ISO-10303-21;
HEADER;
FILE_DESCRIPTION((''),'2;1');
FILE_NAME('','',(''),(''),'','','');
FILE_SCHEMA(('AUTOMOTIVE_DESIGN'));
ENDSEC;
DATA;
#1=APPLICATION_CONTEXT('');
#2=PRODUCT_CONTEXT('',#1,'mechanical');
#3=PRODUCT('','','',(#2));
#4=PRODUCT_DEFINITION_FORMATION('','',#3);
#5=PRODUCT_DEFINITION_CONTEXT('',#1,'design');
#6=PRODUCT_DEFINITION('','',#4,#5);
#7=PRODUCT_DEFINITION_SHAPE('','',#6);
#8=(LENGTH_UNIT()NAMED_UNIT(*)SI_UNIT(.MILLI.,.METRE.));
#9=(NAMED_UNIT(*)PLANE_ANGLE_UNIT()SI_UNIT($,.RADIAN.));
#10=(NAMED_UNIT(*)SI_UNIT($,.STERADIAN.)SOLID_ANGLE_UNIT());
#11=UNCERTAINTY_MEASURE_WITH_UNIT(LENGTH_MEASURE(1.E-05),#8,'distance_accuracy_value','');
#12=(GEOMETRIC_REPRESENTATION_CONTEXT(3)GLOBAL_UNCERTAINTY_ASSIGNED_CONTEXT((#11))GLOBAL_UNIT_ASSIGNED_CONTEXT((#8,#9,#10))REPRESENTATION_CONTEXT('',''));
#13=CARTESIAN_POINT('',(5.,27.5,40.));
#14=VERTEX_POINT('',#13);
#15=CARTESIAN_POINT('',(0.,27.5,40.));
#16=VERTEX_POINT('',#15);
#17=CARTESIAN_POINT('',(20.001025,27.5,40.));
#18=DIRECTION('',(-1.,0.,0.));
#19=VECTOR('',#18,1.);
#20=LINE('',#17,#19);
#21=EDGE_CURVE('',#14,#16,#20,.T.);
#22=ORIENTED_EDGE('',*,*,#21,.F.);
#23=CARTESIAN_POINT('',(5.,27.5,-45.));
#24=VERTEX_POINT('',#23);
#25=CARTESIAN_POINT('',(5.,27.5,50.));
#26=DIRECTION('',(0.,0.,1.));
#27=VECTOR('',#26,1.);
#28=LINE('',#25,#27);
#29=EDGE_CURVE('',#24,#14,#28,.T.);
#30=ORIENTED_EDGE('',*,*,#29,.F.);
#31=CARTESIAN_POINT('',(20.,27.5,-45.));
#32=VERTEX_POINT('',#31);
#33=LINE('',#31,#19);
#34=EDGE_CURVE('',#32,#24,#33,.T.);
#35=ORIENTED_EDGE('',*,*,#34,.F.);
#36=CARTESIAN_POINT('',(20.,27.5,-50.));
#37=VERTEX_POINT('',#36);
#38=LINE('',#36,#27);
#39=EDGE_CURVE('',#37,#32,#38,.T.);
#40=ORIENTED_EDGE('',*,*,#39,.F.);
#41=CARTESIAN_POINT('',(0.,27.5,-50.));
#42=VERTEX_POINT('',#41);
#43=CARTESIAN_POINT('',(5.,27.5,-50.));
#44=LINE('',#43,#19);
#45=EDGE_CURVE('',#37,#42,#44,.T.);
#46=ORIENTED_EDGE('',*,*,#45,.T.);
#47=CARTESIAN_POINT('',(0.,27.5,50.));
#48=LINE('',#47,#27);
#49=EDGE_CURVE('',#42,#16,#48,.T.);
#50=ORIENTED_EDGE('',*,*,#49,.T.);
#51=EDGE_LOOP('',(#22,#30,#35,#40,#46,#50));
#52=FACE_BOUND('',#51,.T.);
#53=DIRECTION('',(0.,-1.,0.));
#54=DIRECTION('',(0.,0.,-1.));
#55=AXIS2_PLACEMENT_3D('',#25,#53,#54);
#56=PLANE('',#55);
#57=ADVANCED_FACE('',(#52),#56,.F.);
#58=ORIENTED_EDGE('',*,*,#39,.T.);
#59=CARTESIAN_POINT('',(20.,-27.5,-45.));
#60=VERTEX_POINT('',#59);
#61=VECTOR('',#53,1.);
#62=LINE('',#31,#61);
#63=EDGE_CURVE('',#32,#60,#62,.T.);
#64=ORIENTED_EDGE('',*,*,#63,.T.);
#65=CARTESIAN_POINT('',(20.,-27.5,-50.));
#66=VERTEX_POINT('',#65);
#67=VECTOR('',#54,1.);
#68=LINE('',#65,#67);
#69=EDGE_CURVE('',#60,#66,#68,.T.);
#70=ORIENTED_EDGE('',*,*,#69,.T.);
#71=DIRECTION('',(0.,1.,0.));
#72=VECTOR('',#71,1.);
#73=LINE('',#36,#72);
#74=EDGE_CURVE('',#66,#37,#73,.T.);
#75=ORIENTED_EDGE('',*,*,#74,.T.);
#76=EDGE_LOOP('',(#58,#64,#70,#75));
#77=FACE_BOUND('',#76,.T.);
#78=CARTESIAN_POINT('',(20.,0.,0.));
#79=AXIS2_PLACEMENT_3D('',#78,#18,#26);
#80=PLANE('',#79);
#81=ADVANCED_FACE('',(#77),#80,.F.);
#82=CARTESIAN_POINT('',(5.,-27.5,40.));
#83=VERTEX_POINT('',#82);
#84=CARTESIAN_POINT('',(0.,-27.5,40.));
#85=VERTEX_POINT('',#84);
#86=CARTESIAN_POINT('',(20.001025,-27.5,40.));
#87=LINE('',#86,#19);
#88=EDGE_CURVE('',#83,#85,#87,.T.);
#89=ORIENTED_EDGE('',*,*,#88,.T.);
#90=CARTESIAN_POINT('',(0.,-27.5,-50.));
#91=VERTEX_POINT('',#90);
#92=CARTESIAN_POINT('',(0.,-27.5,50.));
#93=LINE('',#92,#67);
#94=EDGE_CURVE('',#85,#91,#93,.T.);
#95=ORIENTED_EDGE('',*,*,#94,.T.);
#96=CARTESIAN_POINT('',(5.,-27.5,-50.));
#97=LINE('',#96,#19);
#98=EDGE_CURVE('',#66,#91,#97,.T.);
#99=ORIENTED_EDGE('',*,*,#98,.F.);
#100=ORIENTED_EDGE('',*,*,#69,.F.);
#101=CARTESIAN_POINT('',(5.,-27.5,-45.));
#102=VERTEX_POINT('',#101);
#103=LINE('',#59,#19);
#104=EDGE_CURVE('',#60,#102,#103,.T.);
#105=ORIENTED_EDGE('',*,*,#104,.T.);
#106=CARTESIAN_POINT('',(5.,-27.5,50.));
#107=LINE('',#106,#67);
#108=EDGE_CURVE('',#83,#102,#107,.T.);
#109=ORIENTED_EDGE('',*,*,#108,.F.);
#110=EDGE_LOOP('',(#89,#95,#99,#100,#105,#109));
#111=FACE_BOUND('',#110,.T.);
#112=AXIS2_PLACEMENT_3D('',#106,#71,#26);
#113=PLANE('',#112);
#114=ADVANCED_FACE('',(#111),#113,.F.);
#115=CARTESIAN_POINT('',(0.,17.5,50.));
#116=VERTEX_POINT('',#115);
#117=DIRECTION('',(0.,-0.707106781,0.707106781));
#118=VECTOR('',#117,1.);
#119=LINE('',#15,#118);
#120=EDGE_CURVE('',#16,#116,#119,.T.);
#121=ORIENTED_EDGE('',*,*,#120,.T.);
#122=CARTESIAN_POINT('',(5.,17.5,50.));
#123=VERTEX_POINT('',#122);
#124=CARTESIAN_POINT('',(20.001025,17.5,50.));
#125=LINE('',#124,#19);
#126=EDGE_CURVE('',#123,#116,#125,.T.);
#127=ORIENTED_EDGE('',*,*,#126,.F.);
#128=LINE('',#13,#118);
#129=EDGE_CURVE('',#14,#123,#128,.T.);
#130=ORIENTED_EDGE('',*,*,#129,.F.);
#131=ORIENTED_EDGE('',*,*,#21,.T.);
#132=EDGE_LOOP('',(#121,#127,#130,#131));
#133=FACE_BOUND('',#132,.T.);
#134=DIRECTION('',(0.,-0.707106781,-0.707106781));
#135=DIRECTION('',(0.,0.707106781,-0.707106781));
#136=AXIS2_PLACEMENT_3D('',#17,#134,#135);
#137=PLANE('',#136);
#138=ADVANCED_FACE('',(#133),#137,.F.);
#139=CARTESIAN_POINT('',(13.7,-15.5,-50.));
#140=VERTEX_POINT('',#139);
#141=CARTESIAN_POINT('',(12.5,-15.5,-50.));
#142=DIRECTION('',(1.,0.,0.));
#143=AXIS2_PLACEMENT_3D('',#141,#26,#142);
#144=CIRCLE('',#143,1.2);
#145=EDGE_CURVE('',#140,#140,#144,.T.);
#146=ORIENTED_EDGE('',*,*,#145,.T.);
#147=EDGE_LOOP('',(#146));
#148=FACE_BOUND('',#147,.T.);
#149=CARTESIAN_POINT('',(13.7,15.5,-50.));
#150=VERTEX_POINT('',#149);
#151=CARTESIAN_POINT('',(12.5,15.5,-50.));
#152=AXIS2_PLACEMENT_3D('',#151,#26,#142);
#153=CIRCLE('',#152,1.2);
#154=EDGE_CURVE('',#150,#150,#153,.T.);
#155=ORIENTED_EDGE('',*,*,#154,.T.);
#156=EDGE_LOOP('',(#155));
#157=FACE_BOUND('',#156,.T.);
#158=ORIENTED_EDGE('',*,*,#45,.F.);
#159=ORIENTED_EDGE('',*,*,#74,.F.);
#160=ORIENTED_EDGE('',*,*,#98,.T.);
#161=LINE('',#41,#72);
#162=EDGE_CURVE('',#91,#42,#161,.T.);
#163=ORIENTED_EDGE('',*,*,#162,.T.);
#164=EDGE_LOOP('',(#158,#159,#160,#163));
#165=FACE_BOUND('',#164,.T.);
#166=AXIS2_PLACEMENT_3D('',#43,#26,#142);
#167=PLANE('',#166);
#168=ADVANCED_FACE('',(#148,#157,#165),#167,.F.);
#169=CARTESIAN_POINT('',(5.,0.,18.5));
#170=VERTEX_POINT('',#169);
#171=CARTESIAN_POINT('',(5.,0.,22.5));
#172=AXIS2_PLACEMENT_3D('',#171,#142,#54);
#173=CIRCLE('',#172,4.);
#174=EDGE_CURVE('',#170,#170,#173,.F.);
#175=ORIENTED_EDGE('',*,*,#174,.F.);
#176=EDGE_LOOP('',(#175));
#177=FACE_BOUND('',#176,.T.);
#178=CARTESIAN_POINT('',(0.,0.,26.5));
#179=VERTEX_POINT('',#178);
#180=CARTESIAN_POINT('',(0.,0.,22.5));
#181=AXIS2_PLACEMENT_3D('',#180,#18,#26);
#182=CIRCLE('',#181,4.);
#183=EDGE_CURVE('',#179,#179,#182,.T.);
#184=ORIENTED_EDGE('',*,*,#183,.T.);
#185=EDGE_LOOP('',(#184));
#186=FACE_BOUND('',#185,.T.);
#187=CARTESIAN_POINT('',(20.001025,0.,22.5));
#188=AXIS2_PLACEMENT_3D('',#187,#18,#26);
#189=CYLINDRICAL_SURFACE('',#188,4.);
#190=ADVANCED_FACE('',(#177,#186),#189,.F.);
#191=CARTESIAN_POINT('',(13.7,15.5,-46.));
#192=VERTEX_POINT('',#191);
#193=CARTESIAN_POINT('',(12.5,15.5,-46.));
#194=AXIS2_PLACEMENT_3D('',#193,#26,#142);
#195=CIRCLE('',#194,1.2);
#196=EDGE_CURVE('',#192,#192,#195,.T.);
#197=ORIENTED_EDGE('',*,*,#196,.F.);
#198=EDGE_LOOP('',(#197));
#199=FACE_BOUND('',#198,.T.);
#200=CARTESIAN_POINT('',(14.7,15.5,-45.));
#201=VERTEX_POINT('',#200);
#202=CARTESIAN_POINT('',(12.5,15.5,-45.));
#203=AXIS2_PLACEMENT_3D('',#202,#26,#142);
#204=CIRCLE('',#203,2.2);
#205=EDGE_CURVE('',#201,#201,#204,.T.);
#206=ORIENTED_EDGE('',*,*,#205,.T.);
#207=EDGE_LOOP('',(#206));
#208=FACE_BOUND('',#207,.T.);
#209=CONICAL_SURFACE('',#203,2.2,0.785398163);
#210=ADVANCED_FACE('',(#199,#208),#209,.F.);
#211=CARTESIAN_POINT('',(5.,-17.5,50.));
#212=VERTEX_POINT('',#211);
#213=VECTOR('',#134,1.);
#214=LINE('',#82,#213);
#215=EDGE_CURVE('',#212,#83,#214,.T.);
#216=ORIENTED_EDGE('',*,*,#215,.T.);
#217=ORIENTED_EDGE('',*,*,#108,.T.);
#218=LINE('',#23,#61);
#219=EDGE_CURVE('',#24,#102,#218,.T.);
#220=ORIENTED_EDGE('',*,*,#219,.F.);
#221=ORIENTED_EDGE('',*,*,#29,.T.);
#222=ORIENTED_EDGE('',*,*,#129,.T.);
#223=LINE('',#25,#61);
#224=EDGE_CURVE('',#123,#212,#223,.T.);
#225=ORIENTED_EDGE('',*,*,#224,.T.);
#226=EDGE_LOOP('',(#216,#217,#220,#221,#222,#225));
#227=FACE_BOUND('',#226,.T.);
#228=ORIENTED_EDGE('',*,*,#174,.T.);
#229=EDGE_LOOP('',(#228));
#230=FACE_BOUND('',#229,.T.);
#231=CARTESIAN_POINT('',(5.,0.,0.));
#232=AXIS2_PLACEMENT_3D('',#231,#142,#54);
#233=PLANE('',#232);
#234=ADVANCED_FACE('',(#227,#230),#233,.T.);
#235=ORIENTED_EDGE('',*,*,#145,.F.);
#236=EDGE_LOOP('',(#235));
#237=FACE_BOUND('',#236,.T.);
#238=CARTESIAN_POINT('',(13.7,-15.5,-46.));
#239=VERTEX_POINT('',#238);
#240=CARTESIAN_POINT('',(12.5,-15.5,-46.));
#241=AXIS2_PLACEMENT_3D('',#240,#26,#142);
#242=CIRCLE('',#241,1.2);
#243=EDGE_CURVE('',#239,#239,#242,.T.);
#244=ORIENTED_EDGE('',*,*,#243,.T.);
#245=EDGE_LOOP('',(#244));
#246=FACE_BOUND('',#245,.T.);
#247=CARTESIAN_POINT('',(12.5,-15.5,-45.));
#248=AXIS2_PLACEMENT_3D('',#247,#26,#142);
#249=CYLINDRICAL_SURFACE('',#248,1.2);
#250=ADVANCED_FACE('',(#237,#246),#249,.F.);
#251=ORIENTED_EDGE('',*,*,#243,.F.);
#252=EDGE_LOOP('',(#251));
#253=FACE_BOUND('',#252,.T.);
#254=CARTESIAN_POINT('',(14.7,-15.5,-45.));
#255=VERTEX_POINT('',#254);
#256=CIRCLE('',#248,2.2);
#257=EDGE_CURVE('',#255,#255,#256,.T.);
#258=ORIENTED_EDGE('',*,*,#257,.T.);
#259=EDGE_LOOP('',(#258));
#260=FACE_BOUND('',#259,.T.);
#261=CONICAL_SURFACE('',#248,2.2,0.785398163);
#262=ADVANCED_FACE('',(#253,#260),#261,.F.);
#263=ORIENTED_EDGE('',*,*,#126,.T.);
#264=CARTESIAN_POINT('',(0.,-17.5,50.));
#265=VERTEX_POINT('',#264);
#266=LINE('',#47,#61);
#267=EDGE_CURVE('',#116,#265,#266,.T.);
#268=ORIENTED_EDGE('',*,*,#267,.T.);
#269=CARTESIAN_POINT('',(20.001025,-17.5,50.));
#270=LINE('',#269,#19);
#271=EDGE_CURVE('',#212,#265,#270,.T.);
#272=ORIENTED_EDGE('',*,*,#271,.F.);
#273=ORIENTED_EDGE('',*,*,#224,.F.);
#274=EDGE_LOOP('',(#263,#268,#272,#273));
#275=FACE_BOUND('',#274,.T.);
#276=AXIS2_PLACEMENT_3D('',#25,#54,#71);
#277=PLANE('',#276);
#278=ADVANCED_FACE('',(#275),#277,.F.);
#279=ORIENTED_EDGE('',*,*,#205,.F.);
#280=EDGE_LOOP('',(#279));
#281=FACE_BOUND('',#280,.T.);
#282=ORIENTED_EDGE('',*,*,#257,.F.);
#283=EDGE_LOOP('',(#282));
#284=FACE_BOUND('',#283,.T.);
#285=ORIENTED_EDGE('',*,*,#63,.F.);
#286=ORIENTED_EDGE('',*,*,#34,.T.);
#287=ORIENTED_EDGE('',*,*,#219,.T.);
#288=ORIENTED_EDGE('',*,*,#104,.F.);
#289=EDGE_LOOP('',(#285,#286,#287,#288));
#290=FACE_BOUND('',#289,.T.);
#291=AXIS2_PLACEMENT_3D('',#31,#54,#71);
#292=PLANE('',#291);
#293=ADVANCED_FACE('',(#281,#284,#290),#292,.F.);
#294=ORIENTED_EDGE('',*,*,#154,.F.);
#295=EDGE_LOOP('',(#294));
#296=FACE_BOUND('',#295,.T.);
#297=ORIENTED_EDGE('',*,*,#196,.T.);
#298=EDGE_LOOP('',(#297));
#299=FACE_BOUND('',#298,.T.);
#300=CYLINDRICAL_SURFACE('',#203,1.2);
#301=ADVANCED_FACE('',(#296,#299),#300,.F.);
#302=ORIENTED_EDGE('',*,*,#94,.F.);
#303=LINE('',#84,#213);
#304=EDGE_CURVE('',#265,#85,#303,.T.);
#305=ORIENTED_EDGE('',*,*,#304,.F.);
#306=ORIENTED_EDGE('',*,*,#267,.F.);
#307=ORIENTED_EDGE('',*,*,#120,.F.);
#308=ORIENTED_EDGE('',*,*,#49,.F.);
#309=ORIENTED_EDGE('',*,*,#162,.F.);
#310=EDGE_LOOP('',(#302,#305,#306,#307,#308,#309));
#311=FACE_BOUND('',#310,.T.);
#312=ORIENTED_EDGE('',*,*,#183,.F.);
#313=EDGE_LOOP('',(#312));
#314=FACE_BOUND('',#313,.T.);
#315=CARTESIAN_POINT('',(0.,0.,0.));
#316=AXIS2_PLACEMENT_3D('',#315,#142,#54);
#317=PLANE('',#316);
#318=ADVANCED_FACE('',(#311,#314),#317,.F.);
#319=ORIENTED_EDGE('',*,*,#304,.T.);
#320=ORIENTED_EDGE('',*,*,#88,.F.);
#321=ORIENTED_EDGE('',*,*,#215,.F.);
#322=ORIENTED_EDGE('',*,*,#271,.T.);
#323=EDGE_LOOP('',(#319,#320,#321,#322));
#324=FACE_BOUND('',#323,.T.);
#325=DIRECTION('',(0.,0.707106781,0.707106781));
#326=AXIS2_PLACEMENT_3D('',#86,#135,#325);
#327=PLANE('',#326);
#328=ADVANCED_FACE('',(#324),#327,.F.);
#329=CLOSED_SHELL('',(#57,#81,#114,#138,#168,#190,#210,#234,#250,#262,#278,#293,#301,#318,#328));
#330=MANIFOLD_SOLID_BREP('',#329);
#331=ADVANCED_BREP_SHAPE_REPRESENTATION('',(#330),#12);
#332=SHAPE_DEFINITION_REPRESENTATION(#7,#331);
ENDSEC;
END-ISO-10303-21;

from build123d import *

# Parameters (mm, degrees)
SKETCH1_W                                       = 100
SKETCH1_H                                       = 55
BOSS_EXTRUDE1_DEPTH                             = 5
SKETCH2_W                                       = 5
SKETCH2_H                                       = 55
BOSS_EXTRUDE2_DEPTH                             = 15
CUT_EXTRUDE1_REACH                              = 22
CSK_FOR_M2_FLAT_HEAD_MACHINE_SCREW1_D           = 2.4
CSK_FOR_M2_FLAT_HEAD_MACHINE_SCREW1_CSINK_D     = 4.4
CSK_FOR_M2_FLAT_HEAD_MACHINE_SCREW1_CSINK_ANGLE = 90
CUT_EXTRUDE2_REACH                              = 22
SKETCH6_R                                       = 4


with BuildPart() as part:
    # Sketch1 → Boss-Extrude1 (new body)
    with BuildSketch(Plane(origin=(0, 0, 0), x_dir=(0, 0, -1), z_dir=(1, 0, 0))):
        Rectangle(SKETCH1_W, SKETCH1_H)
    extrude(amount=BOSS_EXTRUDE1_DEPTH)

    # Sketch2 → Boss-Extrude2 (add)
    with BuildSketch(Plane(origin=(5, 0, 0), x_dir=(0, 0, -1), z_dir=(1, 0, 0))):
        with Locations((47.5, 0)):
            Rectangle(SKETCH2_W, SKETCH2_H)
    extrude(amount=BOSS_EXTRUDE2_DEPTH)

    # Sketch3 → Cut-Extrude1 (cut, up to next)
    with BuildSketch(Plane.ZY, mode=Mode.PRIVATE) as cut_extrude1_sk1:
        Polygon((50, 27.5), (40, 27.5), (50, 17.5), align=None)
    cut_extrude1_tool1 = extrude(cut_extrude1_sk1.sketch, amount=-CUT_EXTRUDE1_REACH, mode=Mode.PRIVATE) & part.part
    add(cut_extrude1_tool1.solids().sort_by_distance((0, 24.166667, 46.666667))[0], mode=Mode.SUBTRACT)
    # Sketch3 → Cut-Extrude1 (cut, up to next)
    with BuildSketch(Plane.ZY, mode=Mode.PRIVATE) as cut_extrude1_sk2:
        Polygon((50, -27.5), (40, -27.5), (50, -17.5), align=None)
    cut_extrude1_tool2 = extrude(cut_extrude1_sk2.sketch, amount=-CUT_EXTRUDE1_REACH, mode=Mode.PRIVATE) & part.part
    add(cut_extrude1_tool2.solids().sort_by_distance((0, -24.166667, 46.666667))[0], mode=Mode.SUBTRACT)

    # CSK for M2 Flat Head Machine Screw1 (through all)
    with Locations(Plane.XY.offset(-45)):
        with Locations((12.5, 15.5), (12.5, -15.5)):
            CounterSinkHole(CSK_FOR_M2_FLAT_HEAD_MACHINE_SCREW1_D / 2, CSK_FOR_M2_FLAT_HEAD_MACHINE_SCREW1_CSINK_D / 2, counter_sink_angle=CSK_FOR_M2_FLAT_HEAD_MACHINE_SCREW1_CSINK_ANGLE)

    # Sketch6 → Cut-Extrude2 (cut, up to next)
    with BuildSketch(Plane.ZY, mode=Mode.PRIVATE) as cut_extrude2_sk1:
        with Locations((22.5, 0)):
            Circle(SKETCH6_R)
    cut_extrude2_tool1 = extrude(cut_extrude2_sk1.sketch, amount=-CUT_EXTRUDE2_REACH, mode=Mode.PRIVATE) & part.part
    add(cut_extrude2_tool1.solids().sort_by_distance((0, 0, 22.5))[0], mode=Mode.SUBTRACT)


solid = part.part
